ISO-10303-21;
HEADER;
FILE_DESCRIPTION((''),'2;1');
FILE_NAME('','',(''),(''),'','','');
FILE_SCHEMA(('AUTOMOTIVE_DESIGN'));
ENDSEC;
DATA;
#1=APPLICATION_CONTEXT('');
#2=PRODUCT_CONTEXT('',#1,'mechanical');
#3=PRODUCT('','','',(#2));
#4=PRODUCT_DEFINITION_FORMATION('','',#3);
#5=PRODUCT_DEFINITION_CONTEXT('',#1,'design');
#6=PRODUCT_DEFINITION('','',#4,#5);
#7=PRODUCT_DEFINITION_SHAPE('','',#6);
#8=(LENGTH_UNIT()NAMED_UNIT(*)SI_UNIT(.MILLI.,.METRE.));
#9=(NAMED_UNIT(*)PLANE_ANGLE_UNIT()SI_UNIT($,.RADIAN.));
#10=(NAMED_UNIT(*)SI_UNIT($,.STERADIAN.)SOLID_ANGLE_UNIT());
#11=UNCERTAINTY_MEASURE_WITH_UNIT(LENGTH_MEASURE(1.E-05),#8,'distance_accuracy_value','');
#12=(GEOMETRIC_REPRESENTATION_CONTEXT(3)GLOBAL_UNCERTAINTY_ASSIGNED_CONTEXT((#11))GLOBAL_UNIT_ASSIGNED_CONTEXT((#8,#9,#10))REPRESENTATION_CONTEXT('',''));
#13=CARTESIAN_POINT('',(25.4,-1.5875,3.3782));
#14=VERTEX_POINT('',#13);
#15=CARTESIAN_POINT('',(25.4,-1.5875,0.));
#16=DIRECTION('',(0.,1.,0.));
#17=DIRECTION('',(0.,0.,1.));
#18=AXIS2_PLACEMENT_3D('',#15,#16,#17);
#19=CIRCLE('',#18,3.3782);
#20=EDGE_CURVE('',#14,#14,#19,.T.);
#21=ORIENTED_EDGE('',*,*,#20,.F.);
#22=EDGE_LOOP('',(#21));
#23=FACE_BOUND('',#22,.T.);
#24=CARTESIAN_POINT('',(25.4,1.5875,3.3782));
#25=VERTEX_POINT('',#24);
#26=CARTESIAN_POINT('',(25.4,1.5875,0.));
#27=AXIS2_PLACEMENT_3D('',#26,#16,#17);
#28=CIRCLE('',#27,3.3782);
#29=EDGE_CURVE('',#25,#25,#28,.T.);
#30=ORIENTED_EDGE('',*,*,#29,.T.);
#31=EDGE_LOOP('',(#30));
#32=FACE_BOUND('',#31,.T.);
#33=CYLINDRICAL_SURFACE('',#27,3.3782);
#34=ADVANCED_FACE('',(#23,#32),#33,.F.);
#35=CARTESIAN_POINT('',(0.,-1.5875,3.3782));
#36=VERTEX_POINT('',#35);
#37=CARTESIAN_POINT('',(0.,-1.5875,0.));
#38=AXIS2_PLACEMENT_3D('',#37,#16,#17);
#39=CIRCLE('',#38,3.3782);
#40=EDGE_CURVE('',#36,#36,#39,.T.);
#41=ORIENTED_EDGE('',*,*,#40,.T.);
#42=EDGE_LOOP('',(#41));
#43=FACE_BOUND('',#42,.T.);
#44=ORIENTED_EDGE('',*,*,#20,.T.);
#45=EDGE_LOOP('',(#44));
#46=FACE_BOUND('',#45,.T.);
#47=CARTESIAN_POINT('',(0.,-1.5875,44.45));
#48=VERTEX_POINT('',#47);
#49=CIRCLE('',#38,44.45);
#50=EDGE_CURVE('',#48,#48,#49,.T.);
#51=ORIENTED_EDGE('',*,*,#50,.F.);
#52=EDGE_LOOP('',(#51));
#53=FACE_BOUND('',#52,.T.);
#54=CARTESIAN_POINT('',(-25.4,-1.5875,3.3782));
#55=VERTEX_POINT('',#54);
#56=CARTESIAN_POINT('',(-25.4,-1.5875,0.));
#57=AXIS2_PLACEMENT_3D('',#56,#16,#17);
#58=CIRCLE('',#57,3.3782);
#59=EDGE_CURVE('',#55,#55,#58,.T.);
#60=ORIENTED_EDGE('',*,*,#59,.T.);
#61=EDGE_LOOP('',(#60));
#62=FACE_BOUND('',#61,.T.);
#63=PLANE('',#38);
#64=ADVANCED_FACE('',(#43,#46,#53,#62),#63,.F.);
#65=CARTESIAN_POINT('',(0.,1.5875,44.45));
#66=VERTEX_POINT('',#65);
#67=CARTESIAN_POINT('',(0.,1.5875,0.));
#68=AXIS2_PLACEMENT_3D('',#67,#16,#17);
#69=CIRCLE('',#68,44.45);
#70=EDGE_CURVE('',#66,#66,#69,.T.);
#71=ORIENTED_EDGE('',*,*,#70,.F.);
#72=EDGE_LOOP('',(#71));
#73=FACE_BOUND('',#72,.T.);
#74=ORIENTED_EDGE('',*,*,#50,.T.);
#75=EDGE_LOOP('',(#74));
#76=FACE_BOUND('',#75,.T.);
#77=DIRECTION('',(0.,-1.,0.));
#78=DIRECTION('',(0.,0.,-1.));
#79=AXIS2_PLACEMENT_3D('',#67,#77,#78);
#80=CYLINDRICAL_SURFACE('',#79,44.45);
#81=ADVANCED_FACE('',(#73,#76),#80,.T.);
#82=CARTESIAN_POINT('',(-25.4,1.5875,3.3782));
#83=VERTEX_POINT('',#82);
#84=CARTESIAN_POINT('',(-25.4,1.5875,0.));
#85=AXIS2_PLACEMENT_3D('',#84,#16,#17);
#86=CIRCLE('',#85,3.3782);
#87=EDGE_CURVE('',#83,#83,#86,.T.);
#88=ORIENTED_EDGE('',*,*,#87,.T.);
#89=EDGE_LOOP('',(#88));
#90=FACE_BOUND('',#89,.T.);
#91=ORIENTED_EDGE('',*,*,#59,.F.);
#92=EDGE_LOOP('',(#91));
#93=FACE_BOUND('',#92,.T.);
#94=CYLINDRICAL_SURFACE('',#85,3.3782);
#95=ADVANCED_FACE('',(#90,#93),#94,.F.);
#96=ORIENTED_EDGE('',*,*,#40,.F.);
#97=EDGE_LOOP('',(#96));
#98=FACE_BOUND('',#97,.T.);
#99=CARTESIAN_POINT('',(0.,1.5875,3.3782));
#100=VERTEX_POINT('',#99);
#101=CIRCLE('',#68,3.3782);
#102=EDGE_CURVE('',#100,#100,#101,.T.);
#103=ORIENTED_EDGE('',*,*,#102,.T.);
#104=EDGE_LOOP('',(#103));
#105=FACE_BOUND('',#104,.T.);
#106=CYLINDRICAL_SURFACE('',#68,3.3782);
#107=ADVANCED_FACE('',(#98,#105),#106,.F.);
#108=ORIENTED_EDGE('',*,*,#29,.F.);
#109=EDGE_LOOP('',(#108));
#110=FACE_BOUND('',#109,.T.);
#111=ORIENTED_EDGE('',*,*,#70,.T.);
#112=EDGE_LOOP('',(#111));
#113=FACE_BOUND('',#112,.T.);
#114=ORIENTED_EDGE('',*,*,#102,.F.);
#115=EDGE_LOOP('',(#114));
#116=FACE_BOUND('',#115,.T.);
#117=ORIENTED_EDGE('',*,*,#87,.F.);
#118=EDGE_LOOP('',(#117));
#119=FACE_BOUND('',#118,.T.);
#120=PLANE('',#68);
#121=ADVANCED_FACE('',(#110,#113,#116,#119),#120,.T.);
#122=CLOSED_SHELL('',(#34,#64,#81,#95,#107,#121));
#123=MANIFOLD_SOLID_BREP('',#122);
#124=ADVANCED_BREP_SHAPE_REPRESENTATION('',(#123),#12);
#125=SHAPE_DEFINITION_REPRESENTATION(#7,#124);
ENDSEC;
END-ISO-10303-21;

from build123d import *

# Parameters (mm, degrees)
SKETCH1_R                   = 44.45
BOSS_EXTRUDE1_DEPTH         = 1.5875
F_1_4_CLEARANCE_HOLE1_D     = 6.7564
F_1_4_CLEARANCE_HOLE1_DEPTH = 48.770172657
F_1_4_CLEARANCE_HOLE1_TIP   = 2.029827343


with BuildPart() as part:
    # Sketch1 → Boss-Extrude1 (new body, symmetric)
    with BuildSketch(Plane(origin=(0, 0, 0), x_dir=(1, 0, 0), z_dir=(0, 1, 0))):
        Circle(SKETCH1_R)
    extrude(amount=BOSS_EXTRUDE1_DEPTH, both=True)

    # 1/4 Clearance Hole1
    with Locations(Plane(origin=(0, 1.5875, 0), x_dir=(1, 0, 0), z_dir=(0, 1, 0))):
        with Locations((25.4, 0), (-25.4, 0), (0, 0)):
            Hole(F_1_4_CLEARANCE_HOLE1_D / 2, depth=F_1_4_CLEARANCE_HOLE1_DEPTH)
            with Locations((0, 0, -(F_1_4_CLEARANCE_HOLE1_DEPTH + F_1_4_CLEARANCE_HOLE1_TIP / 2))):  # 118° drill point
                Cone(0, F_1_4_CLEARANCE_HOLE1_D / 2, F_1_4_CLEARANCE_HOLE1_TIP, mode=Mode.SUBTRACT)


solid = part.part
